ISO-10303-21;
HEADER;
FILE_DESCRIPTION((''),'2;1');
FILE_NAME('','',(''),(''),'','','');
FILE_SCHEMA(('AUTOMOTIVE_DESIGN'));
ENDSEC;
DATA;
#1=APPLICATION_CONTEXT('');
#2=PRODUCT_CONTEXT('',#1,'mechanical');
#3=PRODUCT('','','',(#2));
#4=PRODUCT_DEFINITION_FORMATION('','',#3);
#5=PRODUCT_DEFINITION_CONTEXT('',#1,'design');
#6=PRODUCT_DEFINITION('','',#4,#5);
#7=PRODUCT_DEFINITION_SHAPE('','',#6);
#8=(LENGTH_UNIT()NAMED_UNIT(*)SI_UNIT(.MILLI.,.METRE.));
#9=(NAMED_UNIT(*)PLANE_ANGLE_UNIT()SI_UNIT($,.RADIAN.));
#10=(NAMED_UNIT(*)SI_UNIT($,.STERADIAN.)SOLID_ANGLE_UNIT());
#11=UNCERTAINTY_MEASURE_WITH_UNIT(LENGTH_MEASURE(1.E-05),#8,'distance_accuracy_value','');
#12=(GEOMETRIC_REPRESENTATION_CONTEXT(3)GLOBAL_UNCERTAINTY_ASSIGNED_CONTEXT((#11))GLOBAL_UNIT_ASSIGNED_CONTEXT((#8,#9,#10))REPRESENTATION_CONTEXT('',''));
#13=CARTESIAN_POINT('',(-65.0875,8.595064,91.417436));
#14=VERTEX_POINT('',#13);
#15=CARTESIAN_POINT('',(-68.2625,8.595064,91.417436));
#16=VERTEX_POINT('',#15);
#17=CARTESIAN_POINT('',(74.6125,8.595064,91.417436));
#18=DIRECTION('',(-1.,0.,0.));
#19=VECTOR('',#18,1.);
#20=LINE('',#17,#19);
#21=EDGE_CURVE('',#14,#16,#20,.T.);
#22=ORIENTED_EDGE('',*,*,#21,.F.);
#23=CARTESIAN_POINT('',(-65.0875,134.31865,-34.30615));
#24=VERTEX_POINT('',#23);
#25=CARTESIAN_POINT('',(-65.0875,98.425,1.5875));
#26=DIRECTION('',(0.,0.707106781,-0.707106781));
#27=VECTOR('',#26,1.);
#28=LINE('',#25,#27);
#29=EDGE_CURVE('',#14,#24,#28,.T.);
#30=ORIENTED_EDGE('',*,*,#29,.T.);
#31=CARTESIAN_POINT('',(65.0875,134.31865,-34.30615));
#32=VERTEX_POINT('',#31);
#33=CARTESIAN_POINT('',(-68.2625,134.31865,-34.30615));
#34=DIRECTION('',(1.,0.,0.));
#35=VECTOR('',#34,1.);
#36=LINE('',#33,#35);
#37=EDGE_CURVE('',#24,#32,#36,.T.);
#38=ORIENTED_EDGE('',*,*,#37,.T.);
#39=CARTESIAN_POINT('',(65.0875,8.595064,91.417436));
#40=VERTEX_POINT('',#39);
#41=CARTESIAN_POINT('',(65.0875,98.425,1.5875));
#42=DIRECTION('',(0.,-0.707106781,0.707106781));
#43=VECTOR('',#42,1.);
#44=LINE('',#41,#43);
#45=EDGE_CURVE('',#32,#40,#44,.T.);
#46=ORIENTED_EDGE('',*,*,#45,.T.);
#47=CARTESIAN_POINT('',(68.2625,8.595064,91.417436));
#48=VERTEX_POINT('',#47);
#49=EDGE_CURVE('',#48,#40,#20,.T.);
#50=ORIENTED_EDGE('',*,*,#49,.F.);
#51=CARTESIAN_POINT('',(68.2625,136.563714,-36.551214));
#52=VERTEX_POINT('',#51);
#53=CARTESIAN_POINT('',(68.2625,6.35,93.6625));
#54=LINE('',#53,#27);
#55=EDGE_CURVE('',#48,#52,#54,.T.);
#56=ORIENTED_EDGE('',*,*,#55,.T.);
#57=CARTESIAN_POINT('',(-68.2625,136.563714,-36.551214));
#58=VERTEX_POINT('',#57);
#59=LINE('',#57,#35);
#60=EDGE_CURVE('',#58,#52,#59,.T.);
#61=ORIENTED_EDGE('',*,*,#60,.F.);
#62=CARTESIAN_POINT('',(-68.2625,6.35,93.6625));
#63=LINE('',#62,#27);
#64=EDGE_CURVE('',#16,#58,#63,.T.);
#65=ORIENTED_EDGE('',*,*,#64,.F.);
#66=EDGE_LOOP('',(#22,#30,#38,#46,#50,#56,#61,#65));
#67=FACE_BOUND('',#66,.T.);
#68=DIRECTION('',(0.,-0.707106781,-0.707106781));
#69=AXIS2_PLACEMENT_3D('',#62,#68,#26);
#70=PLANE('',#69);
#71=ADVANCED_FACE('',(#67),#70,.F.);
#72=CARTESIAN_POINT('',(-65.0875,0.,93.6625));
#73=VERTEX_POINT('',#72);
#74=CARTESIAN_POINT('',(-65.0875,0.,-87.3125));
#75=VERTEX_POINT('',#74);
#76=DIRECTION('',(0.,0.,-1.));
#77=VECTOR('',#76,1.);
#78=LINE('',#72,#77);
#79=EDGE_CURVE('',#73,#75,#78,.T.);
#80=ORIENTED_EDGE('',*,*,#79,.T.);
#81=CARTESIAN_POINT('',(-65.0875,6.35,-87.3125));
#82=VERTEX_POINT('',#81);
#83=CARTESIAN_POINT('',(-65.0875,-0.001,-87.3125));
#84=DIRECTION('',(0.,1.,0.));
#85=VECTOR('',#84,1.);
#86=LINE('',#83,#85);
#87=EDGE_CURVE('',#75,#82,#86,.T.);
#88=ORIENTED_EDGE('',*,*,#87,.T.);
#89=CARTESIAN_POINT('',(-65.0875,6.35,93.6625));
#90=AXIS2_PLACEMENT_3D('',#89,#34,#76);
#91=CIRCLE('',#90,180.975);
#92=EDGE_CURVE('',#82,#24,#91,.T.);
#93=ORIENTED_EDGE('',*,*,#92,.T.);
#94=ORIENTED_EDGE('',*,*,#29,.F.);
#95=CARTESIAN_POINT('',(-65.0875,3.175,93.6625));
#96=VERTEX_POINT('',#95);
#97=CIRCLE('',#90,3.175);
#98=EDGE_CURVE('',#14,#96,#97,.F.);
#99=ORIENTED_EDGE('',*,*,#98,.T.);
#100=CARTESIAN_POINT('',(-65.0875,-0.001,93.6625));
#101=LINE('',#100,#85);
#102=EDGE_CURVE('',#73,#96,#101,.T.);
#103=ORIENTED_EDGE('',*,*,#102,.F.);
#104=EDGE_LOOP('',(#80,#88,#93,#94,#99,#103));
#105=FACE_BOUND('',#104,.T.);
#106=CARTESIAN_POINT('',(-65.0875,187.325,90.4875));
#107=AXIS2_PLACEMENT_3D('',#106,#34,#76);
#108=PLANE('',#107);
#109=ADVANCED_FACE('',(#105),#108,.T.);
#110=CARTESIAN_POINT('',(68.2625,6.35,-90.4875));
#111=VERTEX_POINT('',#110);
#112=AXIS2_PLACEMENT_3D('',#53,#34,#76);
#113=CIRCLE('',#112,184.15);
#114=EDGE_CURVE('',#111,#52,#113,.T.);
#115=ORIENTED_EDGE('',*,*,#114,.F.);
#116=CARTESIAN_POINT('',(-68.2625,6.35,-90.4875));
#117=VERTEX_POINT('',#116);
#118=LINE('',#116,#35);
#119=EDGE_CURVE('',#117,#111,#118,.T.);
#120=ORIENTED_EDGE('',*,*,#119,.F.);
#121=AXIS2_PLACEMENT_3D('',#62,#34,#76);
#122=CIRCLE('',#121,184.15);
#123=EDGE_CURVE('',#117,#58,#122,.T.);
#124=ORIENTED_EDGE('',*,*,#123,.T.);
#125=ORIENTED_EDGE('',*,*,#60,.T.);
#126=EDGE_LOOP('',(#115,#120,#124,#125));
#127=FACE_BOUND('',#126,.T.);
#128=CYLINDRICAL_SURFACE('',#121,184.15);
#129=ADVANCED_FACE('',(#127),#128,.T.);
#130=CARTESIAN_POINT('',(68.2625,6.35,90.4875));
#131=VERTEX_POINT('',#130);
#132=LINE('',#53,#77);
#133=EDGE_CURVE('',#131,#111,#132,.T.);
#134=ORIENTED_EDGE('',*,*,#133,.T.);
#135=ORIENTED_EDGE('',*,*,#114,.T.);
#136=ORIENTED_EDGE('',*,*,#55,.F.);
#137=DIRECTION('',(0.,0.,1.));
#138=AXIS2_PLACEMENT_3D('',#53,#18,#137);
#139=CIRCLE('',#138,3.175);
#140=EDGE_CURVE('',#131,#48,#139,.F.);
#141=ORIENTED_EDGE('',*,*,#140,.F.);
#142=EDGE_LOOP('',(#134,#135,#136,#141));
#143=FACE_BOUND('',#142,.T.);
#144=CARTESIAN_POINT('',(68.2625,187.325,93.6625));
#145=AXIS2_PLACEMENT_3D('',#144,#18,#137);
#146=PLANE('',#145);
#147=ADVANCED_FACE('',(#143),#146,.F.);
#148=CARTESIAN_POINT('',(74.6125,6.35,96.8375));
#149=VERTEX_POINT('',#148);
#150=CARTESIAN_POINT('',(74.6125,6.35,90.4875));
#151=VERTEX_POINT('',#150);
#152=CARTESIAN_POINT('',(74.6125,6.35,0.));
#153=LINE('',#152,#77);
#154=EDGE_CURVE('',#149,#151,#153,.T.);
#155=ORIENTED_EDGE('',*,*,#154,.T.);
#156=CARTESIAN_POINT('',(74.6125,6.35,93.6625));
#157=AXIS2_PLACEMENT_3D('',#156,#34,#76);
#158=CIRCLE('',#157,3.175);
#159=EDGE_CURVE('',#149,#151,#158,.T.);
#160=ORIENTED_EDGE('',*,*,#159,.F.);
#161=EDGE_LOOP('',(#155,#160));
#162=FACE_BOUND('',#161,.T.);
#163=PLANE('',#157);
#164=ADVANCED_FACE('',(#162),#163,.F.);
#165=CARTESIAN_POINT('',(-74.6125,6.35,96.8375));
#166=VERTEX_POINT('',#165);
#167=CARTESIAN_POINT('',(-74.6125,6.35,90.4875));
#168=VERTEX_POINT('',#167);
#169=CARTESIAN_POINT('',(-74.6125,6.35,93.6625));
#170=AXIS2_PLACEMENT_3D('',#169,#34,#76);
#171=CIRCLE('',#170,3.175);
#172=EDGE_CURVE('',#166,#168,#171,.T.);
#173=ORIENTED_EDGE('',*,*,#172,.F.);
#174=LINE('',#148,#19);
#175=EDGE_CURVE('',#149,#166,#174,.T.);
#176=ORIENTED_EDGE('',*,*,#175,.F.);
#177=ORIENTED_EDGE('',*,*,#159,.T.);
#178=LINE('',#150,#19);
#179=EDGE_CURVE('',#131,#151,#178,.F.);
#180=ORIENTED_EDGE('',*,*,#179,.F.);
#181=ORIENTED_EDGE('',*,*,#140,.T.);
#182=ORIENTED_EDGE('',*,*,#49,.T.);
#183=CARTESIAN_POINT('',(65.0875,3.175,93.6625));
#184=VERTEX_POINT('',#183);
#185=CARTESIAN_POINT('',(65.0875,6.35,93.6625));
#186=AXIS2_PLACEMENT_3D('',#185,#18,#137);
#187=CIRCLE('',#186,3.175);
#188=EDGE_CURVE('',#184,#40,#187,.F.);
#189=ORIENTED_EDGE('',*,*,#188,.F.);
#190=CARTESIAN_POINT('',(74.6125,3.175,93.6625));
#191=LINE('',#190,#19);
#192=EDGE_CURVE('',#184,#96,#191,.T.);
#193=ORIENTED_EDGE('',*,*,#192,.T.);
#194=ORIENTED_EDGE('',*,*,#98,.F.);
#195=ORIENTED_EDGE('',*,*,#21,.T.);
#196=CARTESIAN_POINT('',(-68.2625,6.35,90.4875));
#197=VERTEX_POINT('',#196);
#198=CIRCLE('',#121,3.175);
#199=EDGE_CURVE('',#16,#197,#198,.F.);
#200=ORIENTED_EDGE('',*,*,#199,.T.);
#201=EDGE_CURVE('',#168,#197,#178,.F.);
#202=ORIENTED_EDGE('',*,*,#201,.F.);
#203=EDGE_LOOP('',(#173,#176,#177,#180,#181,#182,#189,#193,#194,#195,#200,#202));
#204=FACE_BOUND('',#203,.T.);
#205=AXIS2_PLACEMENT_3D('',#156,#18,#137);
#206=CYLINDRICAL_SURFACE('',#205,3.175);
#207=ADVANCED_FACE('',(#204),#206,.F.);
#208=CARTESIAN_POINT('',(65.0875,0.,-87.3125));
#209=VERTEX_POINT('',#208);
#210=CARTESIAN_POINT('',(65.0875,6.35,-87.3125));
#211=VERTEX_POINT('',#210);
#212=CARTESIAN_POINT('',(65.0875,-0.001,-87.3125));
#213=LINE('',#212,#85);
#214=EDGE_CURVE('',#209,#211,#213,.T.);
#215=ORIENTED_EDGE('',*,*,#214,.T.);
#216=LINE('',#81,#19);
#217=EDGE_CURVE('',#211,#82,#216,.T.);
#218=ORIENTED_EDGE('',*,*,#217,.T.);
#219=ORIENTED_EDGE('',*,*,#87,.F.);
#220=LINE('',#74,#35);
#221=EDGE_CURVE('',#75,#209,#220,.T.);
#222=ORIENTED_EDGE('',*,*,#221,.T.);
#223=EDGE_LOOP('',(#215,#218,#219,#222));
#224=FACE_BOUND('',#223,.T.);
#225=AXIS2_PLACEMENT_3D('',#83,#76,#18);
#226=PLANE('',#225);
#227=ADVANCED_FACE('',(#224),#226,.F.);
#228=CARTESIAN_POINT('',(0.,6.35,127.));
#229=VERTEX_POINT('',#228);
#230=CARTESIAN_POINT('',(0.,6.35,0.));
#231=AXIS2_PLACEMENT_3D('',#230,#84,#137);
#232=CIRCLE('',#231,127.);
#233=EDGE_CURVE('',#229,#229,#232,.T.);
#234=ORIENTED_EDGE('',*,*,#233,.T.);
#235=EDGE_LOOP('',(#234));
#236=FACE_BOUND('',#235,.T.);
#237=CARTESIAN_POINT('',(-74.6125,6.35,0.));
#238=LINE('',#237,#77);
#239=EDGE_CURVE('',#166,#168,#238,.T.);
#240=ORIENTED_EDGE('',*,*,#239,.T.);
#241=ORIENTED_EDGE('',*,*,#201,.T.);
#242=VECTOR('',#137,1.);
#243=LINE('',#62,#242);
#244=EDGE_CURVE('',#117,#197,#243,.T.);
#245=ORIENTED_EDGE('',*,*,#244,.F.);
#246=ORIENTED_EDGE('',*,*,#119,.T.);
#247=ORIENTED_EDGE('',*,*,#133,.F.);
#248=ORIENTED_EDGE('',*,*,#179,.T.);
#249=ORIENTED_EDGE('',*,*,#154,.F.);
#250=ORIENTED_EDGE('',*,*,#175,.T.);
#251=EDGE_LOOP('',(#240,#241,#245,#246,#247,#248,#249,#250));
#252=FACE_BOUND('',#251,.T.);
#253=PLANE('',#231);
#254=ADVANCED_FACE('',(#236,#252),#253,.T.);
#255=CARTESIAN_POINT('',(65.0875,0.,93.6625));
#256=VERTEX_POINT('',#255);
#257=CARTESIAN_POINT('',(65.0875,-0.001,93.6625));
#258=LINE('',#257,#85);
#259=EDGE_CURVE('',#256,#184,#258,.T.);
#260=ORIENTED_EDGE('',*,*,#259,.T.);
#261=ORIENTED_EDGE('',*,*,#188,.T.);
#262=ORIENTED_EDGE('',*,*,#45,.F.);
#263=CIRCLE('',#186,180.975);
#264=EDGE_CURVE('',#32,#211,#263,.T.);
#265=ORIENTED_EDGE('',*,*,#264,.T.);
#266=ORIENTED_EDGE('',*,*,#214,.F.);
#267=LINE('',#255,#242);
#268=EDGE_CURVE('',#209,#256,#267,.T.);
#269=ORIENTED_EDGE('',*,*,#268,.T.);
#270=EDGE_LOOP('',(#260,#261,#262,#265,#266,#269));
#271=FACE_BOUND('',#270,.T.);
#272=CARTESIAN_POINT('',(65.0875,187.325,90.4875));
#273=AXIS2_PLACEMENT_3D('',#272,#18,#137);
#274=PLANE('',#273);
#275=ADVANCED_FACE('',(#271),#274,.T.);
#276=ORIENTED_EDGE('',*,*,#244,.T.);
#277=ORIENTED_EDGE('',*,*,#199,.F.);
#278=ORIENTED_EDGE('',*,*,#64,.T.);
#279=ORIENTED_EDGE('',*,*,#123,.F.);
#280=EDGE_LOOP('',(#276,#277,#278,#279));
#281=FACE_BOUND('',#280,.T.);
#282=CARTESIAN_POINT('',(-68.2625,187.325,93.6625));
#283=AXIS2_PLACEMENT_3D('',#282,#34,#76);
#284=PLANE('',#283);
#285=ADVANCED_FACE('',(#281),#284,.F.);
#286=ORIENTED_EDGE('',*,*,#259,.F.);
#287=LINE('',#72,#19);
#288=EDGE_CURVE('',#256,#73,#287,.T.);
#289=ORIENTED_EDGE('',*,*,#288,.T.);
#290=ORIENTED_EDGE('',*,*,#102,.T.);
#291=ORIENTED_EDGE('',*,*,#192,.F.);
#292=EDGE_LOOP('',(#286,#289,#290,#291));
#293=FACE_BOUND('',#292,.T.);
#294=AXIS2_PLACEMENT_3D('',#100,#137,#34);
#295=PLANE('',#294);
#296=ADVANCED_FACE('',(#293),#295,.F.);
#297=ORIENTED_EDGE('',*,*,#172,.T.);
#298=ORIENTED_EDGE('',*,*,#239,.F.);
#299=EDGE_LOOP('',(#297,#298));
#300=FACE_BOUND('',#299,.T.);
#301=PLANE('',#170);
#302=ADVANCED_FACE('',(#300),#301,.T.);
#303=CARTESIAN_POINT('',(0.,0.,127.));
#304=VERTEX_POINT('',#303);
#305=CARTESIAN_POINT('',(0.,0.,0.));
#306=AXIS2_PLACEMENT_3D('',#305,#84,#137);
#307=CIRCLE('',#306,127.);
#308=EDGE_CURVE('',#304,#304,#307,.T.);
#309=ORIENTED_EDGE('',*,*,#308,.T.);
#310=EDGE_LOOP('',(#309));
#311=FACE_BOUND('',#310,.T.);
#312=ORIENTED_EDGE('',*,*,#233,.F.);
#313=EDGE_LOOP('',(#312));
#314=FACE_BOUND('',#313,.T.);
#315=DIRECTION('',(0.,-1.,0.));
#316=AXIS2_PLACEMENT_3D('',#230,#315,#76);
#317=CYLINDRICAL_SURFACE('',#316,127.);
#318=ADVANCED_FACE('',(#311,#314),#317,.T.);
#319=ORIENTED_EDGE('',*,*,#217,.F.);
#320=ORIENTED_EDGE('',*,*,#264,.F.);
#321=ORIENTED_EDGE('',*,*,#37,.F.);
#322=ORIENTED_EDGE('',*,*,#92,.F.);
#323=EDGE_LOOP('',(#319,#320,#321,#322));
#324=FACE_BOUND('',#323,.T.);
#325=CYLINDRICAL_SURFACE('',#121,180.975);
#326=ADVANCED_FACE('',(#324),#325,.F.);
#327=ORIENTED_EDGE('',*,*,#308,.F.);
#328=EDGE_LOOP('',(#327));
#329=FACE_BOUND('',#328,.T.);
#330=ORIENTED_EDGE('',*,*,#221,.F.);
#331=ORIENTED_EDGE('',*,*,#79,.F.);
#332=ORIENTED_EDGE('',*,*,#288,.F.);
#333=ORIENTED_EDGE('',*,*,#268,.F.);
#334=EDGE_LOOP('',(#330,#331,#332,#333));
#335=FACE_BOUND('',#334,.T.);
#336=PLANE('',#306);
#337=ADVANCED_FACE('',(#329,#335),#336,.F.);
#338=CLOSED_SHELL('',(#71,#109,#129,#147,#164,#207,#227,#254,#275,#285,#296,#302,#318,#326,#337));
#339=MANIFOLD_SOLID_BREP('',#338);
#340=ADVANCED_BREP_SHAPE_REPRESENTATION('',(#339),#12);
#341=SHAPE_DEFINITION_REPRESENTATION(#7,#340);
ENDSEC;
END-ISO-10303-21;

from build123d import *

# Parameters (mm, degrees)
SKETCH1_R               = 127
BOSS_EXTRUDE1_DEPTH     = 6.35
SKETCH2_W               = 136.525
SKETCH2_H               = 187.325
SKETCH2_W_2             = 130.175
SKETCH2_H_2             = 180.975
BOSS_EXTRUDE2_DEPTH     = 180.975
CUT_EXTRUDE1_REACH      = 197.262
CUT_EXTRUDE2_REACH      = 222.663
SKETCH6_W               = 130.175
SKETCH6_H               = 180.975
CUT_EXTRUDE3_REACH      = 8.35
SKETCH7_W               = 130.175
SKETCH7_H               = 180.975
BOSS_EXTRUDE3_DEPTH     = 136.525
CUT_EXTRUDE4_DEPTH      = 136.525
SKETCH15_R              = 3.175
CUT_EXTRUDE5_DEPTH      = 6.35
CUT_EXTRUDE5_DEPTH_BACK = 142.875


with BuildPart() as part:
    # Sketch1 → Boss-Extrude1 (new body)
    with BuildSketch(Plane(origin=(0, 0, 0), x_dir=(1, 0, 0), z_dir=(0, 1, 0))):
        Circle(SKETCH1_R)
    extrude(amount=BOSS_EXTRUDE1_DEPTH)

    # Sketch2 → Boss-Extrude2 (add)
    with BuildSketch(Plane(origin=(0, 6.35, 0), x_dir=(1, 0, 0), z_dir=(0, 1, 0))):
        Rectangle(SKETCH2_W, SKETCH2_H)
        Rectangle(SKETCH2_W_2, SKETCH2_H_2, mode=Mode.SUBTRACT)
    extrude(amount=BOSS_EXTRUDE2_DEPTH)

    # Sketch3 → Cut-Extrude1 (cut, up to next)
    with BuildSketch(Plane(origin=(68.2625, 0, 0), x_dir=(0, 0, -1), z_dir=(1, 0, 0)), mode=Mode.PRIVATE) as cut_extrude1_sk1:
        with BuildLine():
            Line((-93.6625, 187.325), (93.6625, 187.325))
            Line((93.6625, 187.325), (93.6625, 6.35))
            Line((93.6625, 6.35), (87.3125, 6.35))
            ThreePointArc((87.3125, 6.35), (34.306149725, 134.318649725), (-93.6625, 187.325))
        make_face()
    cut_extrude1_tool1 = extrude(cut_extrude1_sk1.sketch, amount=-CUT_EXTRUDE1_REACH, mode=Mode.PRIVATE) & part.part
    add(cut_extrude1_tool1.solids().sort_by_distance((68.2625, 139.865797, -53.015255))[0], mode=Mode.SUBTRACT)

    # Sketch6 → Cut-Extrude2 (cut, up to next)
    with BuildSketch(Plane.XY.offset(93.6625), mode=Mode.PRIVATE) as cut_extrude2_sk1:
        with Locations((0, 96.8375)):
            Rectangle(SKETCH6_W, SKETCH6_H)
    cut_extrude2_tool1 = extrude(cut_extrude2_sk1.sketch, amount=-CUT_EXTRUDE2_REACH, mode=Mode.PRIVATE) & part.part
    add(cut_extrude2_tool1.solids().sort_by_distance((0, 96.8375, 93.6625))[0], mode=Mode.SUBTRACT)

    # Sketch7 → Cut-Extrude3 (cut, up to next)
    with BuildSketch(Plane(origin=(0, 6.35, 0), x_dir=(1, 0, 0), z_dir=(0, 1, 0)), mode=Mode.PRIVATE) as cut_extrude3_sk1:
        with Locations((0, -3.175)):
            Rectangle(SKETCH7_W, SKETCH7_H)
    cut_extrude3_tool1 = extrude(cut_extrude3_sk1.sketch, amount=-CUT_EXTRUDE3_REACH, mode=Mode.PRIVATE) & part.part
    add(cut_extrude3_tool1.solids().sort_by_distance((0, 6.35, 3.175))[0], mode=Mode.SUBTRACT)

    # Sketch10 → Boss-Extrude3 (add)
    with BuildSketch(Plane(origin=(68.2625, 0, 0), x_dir=(0, 0, -1), z_dir=(1, 0, 0))):
        with BuildLine():
            Line((-93.6625, 187.325), (-93.6625, 190.5))
            ThreePointArc((-93.6625, 190.5), (36.551213756, 136.563713756), (90.4875, 6.35))
            Line((90.4875, 6.35), (87.3125, 6.35))
            ThreePointArc((87.3125, 6.35), (34.306149725, 134.318649725), (-93.6625, 187.325))
        make_face()
    extrude(amount=-BOSS_EXTRUDE3_DEPTH)

    # Sketch12 → Cut-Extrude4 (cut)
    with BuildSketch(Plane(origin=(68.2625, 0, 0), x_dir=(0, 0, -1), z_dir=(1, 0, 0))):
        with BuildLine():
            Line((-93.6625, 6.35), (36.551213756, 136.563713756))
            ThreePointArc((36.551213756, 136.563713756), (-23.19134593, 176.482415912), (-93.6625, 190.5))
            Line((-93.6625, 190.5), (-93.6625, 6.35))
        make_face()
    extrude(amount=-CUT_EXTRUDE4_DEPTH, mode=Mode.SUBTRACT)

    # Sketch15 → Cut-Extrude5 (cut, two sides)
    with BuildSketch(Plane(origin=(68.2625, 0, 0), x_dir=(0, 0, -1), z_dir=(1, 0, 0))) as cut_extrude5_sk:
        with Locations((-93.6625, 6.35)):
            Circle(SKETCH15_R)
    extrude(amount=CUT_EXTRUDE5_DEPTH, mode=Mode.SUBTRACT)
    extrude(cut_extrude5_sk.sketch, amount=-CUT_EXTRUDE5_DEPTH_BACK, mode=Mode.SUBTRACT)


solid = part.part
